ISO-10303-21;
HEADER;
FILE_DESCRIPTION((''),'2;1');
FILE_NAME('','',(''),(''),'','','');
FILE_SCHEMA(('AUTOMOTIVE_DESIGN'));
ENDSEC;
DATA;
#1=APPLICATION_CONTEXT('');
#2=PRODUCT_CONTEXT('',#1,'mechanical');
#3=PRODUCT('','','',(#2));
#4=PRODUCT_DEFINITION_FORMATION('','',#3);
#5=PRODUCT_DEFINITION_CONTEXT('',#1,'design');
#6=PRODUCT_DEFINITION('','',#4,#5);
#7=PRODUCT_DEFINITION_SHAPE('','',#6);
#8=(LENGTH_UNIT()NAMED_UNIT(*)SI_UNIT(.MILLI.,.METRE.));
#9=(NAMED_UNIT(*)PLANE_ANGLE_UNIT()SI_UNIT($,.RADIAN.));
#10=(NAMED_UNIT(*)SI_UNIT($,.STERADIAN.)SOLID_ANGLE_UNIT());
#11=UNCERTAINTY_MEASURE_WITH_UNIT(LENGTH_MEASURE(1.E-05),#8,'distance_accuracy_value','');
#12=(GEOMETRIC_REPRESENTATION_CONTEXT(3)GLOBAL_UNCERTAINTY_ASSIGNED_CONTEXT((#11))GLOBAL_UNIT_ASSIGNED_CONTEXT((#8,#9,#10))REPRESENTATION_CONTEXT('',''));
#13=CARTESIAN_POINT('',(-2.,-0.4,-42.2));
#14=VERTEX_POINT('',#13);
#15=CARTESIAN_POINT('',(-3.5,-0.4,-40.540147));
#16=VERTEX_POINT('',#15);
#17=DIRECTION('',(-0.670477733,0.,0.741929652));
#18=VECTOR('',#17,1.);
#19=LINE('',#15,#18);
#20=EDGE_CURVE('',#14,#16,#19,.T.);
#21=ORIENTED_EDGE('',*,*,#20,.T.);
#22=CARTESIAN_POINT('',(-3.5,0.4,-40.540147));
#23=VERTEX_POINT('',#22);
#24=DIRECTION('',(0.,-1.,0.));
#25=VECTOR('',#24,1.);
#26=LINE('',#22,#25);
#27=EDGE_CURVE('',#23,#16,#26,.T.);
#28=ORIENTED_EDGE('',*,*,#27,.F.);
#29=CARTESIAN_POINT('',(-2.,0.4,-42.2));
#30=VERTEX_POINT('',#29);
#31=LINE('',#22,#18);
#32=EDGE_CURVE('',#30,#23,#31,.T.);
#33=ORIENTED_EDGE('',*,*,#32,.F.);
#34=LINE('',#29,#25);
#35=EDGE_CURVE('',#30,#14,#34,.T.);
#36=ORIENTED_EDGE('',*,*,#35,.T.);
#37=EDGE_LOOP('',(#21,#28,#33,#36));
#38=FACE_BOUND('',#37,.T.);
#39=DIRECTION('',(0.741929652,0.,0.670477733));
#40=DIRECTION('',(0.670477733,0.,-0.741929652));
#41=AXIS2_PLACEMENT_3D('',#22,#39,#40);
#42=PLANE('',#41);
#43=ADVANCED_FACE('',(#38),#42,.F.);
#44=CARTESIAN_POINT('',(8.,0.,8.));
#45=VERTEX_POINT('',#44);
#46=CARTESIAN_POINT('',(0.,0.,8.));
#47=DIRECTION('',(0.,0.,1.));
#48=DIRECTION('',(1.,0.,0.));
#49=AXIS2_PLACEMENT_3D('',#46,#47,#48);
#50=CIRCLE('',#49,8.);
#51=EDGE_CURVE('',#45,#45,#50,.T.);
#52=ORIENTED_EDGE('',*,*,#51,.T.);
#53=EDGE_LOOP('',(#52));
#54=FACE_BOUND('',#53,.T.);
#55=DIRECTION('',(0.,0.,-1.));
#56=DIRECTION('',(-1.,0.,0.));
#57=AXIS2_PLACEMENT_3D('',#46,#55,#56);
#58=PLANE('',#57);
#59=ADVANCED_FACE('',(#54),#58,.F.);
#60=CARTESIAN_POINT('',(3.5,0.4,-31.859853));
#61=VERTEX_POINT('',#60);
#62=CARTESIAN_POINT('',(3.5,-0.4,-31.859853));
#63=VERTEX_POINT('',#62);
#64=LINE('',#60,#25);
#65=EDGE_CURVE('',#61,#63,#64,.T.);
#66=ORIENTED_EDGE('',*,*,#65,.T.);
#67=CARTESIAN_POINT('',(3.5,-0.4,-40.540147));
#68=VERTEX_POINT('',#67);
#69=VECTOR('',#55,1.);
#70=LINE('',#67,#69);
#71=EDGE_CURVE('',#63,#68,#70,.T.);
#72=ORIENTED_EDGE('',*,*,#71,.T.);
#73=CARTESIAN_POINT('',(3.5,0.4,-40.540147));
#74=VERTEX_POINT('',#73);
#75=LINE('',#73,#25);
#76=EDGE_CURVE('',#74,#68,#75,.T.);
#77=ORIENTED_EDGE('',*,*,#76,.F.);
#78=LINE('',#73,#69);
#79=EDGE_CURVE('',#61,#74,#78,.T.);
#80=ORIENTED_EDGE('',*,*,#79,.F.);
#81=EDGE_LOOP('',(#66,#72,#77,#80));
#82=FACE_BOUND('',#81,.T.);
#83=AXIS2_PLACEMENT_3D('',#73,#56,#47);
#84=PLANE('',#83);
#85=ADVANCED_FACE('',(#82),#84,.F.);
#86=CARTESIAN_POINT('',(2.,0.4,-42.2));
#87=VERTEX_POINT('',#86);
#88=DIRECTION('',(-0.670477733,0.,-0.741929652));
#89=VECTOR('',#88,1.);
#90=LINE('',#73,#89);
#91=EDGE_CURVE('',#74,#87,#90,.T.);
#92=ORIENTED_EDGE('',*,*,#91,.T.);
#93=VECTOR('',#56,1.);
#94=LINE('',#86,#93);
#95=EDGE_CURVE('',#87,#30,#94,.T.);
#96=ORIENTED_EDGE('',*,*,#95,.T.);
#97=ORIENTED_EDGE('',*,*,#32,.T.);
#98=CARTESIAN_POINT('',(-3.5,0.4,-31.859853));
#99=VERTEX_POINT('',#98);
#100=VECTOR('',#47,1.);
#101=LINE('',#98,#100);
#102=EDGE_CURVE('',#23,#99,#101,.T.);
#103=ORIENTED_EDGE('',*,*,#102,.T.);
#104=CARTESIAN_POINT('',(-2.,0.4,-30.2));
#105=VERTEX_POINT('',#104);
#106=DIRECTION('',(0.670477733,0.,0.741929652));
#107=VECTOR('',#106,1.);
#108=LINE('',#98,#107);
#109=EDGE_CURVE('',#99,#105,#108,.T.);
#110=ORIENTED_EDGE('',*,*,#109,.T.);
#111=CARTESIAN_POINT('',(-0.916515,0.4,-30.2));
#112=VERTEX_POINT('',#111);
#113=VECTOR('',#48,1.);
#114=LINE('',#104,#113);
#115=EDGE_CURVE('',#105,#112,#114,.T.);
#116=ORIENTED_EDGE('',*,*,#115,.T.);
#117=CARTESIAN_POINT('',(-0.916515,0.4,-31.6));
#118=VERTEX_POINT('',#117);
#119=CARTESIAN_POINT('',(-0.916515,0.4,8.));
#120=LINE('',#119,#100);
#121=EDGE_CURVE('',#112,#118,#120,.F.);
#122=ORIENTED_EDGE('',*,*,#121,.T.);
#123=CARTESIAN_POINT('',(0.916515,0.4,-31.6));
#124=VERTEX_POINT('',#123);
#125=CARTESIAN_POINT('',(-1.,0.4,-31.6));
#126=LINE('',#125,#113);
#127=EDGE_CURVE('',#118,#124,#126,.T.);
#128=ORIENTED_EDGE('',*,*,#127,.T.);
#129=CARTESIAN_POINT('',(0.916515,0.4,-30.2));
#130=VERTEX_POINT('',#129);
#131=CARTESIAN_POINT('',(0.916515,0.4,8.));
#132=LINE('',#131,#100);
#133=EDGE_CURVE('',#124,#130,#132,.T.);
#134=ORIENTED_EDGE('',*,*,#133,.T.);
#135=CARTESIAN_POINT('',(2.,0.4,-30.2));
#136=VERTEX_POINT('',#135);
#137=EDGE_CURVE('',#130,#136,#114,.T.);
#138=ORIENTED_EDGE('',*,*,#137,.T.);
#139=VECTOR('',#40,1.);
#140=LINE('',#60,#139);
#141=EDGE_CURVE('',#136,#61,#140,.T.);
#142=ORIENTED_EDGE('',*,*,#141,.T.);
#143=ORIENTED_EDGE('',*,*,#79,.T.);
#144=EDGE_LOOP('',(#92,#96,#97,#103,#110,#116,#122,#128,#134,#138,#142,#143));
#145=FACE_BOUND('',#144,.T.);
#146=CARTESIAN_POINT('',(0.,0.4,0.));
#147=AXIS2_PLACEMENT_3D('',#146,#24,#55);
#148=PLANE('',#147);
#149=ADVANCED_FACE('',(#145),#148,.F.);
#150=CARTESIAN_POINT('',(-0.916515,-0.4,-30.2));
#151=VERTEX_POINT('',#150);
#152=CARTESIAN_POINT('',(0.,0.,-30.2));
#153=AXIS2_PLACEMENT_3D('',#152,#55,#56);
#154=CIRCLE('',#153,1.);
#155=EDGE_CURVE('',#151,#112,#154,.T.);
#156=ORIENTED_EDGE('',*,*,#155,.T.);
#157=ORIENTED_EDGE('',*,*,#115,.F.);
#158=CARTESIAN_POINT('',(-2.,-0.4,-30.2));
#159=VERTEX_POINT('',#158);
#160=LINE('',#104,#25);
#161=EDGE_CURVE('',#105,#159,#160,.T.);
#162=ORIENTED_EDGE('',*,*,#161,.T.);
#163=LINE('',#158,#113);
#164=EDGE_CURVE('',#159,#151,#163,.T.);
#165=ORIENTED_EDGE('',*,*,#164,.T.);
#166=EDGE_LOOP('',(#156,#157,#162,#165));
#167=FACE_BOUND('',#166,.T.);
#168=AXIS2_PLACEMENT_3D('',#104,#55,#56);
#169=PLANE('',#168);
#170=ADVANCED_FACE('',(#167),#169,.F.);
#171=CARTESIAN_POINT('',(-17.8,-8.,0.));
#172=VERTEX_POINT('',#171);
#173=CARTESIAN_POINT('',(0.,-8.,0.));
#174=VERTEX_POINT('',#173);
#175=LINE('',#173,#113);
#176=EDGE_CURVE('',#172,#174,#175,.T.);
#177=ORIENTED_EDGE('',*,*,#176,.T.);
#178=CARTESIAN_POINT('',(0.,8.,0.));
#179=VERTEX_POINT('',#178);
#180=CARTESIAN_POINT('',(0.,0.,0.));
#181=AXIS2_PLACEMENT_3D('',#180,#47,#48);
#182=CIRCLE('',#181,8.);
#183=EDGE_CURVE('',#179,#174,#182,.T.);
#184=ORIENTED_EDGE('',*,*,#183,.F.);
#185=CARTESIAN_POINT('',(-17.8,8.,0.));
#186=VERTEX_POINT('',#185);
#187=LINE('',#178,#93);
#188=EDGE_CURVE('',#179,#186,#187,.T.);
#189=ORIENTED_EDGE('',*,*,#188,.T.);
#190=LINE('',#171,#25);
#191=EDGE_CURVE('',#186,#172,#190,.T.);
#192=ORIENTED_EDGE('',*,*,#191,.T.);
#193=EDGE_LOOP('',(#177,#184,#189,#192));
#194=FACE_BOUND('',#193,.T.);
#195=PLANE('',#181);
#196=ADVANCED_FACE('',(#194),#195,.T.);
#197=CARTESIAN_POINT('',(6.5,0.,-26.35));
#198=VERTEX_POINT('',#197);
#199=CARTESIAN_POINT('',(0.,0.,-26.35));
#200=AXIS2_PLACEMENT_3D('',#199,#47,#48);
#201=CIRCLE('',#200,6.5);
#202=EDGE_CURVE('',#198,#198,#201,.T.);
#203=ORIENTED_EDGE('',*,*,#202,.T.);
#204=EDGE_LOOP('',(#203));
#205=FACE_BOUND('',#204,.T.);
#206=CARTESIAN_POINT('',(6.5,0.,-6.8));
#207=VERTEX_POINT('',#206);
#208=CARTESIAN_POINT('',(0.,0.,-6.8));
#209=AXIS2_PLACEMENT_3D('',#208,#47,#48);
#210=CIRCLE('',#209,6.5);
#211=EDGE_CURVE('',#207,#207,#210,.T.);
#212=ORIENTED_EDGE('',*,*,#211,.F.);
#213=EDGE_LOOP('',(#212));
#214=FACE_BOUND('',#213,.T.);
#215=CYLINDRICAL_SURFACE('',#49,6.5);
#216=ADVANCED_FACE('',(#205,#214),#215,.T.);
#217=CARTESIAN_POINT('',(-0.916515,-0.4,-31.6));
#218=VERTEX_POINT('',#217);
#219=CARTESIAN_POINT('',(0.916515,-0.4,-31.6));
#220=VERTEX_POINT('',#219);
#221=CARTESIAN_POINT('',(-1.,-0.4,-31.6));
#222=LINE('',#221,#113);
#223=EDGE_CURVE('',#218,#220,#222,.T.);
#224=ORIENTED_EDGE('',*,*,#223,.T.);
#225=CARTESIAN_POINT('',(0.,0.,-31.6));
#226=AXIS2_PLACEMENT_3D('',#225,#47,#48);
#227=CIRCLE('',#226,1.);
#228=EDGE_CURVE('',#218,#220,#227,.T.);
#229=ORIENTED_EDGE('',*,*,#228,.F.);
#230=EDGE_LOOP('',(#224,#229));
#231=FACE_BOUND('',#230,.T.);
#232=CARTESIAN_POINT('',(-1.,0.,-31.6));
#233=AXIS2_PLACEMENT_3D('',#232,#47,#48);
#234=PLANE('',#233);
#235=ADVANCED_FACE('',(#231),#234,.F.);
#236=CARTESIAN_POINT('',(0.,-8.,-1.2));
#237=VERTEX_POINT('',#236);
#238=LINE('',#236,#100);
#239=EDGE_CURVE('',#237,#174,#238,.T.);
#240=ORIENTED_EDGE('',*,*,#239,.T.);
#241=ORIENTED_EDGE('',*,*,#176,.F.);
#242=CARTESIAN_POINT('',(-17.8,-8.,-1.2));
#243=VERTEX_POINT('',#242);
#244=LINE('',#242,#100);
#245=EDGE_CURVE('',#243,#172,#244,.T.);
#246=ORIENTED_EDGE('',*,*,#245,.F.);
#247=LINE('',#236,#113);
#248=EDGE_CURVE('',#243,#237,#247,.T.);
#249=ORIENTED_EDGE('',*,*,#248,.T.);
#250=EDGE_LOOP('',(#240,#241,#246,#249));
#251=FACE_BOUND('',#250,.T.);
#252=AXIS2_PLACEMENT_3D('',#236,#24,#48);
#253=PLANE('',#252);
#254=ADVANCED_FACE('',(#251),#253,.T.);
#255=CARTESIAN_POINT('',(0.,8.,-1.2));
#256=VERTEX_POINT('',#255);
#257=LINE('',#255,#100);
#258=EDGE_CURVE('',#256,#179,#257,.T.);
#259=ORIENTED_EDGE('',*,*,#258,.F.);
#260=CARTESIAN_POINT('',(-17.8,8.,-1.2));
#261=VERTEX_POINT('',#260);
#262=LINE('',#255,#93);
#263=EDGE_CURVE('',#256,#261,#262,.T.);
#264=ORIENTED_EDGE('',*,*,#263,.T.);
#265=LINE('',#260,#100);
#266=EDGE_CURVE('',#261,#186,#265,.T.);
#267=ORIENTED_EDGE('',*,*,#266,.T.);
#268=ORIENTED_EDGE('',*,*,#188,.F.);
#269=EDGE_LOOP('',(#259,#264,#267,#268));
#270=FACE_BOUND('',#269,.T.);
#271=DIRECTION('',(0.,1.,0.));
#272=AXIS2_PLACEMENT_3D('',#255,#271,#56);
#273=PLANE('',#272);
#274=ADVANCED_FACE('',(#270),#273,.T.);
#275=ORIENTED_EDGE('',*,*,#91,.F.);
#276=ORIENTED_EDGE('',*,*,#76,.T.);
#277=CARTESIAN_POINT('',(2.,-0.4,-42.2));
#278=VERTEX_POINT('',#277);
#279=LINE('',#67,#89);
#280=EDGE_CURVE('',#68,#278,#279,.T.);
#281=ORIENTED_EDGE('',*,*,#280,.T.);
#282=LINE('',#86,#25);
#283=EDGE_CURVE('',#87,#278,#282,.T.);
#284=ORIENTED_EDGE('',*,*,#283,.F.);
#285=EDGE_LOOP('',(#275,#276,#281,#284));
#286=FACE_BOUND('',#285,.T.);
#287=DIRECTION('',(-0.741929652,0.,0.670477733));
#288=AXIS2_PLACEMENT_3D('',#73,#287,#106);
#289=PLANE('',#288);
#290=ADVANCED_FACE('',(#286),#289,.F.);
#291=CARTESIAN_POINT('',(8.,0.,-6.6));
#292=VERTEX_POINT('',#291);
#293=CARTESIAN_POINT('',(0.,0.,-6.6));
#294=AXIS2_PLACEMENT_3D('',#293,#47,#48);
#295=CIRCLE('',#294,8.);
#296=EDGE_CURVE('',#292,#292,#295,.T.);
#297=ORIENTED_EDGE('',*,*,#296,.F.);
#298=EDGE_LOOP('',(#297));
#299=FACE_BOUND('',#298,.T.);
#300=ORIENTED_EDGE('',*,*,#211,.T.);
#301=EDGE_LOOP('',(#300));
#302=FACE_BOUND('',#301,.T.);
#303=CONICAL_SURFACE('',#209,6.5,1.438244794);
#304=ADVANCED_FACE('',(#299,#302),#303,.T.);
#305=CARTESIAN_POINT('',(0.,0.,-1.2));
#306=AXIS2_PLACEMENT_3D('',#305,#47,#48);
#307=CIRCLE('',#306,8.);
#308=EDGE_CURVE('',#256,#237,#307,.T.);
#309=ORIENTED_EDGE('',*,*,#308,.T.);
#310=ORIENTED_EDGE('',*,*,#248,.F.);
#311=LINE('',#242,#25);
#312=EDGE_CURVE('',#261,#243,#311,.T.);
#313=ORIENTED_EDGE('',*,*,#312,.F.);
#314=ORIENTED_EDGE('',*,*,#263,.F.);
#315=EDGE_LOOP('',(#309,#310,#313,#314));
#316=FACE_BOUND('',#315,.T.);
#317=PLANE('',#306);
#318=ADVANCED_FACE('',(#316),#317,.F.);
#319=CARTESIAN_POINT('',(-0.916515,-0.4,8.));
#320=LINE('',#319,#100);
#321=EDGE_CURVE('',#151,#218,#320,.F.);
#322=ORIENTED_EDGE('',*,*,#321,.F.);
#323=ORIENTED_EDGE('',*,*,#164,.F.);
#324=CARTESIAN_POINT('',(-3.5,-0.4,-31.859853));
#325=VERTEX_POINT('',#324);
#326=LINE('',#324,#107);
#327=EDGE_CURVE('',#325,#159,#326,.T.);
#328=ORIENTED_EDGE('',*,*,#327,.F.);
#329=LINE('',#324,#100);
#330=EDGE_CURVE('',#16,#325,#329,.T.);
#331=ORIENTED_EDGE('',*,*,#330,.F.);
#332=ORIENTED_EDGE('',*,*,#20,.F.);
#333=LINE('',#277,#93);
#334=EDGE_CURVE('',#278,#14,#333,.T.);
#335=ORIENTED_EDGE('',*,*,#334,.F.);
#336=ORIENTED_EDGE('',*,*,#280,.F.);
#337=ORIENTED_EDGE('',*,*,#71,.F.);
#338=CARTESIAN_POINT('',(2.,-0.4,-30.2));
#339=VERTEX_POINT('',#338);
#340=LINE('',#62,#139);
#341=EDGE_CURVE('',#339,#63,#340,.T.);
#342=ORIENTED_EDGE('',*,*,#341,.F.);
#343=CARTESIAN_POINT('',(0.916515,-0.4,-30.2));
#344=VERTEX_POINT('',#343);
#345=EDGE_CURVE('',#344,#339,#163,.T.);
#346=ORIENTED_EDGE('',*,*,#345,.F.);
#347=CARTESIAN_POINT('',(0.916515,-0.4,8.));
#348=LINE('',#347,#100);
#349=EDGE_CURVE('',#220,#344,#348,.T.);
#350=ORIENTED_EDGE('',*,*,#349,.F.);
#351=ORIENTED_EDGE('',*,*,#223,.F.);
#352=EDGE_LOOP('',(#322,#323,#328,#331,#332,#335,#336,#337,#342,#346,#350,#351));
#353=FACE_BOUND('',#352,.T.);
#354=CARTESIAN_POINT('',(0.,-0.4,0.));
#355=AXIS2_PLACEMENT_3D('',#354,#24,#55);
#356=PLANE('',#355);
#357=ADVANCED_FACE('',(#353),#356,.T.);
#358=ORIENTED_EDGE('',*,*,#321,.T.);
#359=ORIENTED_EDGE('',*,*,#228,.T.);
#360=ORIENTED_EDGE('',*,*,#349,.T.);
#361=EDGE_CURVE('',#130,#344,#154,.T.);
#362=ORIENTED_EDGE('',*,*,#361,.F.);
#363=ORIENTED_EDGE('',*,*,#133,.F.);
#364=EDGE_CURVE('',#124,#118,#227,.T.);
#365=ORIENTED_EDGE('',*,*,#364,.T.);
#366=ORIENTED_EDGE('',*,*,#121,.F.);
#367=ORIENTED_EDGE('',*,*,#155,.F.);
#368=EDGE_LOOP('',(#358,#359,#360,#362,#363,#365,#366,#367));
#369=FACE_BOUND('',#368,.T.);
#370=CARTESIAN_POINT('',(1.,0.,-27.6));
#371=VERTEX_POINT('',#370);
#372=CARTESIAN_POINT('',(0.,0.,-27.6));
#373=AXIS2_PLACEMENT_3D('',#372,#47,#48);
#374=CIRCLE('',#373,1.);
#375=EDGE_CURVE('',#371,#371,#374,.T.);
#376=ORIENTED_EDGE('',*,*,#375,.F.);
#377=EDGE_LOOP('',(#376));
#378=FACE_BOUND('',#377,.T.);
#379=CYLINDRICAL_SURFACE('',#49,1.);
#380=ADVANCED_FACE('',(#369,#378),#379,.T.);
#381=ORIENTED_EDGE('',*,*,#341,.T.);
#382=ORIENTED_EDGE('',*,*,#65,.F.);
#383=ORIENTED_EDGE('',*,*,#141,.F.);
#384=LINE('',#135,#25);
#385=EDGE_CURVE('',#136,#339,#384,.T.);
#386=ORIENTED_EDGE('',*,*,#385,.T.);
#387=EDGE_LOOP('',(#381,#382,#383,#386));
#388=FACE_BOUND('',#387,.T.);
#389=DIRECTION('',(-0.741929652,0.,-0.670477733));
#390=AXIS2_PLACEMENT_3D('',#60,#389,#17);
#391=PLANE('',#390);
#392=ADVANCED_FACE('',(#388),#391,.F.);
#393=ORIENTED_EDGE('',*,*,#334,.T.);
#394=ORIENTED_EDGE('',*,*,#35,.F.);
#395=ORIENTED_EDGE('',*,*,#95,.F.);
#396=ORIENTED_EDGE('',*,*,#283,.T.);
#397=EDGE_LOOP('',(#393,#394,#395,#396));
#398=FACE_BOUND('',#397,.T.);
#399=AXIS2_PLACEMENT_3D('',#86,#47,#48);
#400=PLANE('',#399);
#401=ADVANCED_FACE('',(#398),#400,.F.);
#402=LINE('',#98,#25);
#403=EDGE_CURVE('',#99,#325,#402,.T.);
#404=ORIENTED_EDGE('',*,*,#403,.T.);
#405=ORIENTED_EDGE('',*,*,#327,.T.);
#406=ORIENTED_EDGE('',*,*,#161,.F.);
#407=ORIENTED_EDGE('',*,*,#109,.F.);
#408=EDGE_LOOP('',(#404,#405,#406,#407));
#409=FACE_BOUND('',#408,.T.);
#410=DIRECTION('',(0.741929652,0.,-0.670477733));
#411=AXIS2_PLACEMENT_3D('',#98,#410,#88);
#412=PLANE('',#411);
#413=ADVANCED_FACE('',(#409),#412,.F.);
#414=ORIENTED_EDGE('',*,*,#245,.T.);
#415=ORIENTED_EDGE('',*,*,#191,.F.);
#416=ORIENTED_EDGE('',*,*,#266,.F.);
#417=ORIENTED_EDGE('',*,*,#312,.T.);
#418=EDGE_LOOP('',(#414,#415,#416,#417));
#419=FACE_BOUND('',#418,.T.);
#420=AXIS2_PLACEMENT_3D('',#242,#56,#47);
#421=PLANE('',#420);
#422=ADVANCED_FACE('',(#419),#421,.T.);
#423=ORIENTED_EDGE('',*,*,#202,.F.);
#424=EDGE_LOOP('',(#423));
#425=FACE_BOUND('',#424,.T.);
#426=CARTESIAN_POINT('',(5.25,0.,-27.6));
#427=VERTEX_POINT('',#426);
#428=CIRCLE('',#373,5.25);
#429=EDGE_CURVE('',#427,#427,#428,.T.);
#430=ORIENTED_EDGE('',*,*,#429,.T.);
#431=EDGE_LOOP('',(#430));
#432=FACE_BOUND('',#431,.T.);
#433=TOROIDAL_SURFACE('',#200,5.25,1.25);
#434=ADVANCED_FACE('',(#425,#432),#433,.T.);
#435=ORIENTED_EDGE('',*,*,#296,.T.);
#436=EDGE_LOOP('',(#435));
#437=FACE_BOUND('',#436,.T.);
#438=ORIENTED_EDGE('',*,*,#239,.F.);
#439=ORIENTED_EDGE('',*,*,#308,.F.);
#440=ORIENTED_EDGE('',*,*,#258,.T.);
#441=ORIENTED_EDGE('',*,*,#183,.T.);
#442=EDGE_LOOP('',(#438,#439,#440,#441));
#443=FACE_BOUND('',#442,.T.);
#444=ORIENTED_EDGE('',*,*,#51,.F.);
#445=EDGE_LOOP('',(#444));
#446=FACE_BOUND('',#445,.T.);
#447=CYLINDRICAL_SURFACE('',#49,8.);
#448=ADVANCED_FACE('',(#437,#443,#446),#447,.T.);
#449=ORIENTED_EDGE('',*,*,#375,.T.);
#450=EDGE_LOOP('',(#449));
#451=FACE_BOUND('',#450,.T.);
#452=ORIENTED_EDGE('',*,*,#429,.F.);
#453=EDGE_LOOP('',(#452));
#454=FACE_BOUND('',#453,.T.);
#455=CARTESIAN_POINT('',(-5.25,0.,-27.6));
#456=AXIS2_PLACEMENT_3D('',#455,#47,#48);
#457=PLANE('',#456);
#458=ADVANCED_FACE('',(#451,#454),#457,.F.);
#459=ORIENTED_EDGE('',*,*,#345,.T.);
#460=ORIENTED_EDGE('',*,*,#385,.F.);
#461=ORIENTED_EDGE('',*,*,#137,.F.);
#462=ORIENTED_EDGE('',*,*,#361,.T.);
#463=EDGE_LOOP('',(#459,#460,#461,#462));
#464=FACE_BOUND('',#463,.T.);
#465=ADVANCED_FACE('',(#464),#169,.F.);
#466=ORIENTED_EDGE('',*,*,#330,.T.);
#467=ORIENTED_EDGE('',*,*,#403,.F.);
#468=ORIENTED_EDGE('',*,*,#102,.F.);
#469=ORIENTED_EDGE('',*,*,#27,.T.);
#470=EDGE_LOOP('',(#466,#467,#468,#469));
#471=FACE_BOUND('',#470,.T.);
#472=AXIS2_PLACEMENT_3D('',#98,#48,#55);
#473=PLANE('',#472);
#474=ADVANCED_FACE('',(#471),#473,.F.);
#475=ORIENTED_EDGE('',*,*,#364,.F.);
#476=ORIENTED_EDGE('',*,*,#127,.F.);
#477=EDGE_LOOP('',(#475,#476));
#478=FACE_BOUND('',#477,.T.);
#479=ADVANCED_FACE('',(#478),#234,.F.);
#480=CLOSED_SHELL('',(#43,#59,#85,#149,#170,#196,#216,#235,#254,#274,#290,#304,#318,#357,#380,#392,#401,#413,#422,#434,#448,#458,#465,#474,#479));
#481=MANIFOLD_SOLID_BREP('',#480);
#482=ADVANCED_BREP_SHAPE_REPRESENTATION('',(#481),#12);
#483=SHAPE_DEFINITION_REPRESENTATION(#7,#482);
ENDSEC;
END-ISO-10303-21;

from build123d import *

# Parameters (mm, degrees)
SKETCH3_W           = 17.8
SKETCH3_H           = 16
BOSS_EXTRUDE1_DEPTH = 1.2
BOSS_EXTRUDE2_DEPTH = 0.4


with BuildPart() as part:
    # Sketch2 → Revolve1 (revolve)
    with BuildSketch(Plane(origin=(0, 0, 0), x_dir=(1, 0, 0), z_dir=(0, 1, 0))):
        with BuildLine():
            Line((0, -8), (-8, -8))
            Line((-8, -8), (-8, 6.6))
            Line((-8, 6.6), (-6.5, 6.8))
            Line((-6.5, 6.8), (-6.5, 26.35))
            ThreePointArc((-6.5, 26.35), (-6.133883476, 27.233883476), (-5.25, 27.6))
            Line((-5.25, 27.6), (-1, 27.6))
            Line((-1, 27.6), (-1, 31.6))
            Line((-1, 31.6), (0, 31.6))
            Line((0, 31.6), (0, -8))
        make_face()
    revolve(axis=Axis((0, 0, 8), (0, 0, -1)))

    # Sketch3 → Boss-Extrude1 (add)
    with BuildSketch(Plane.XY):
        with Locations((-8.9, 0)):
            Rectangle(SKETCH3_W, SKETCH3_H)
    extrude(amount=-BOSS_EXTRUDE1_DEPTH)

    # Sketch5 → Boss-Extrude2 (add, symmetric)
    with BuildSketch(Plane(origin=(0, 0, 0), x_dir=(1, 0, 0), z_dir=(0, 1, 0))):
        Polygon((-2, 30.2), (2, 30.2), (3.5, 31.859853002), (3.5, 40.540146998), (2, 42.2), (-2, 42.2), (-3.5, 40.540146998), (-3.5, 31.859853002), align=None)
    extrude(amount=BOSS_EXTRUDE2_DEPTH, both=True)


solid = part.part
